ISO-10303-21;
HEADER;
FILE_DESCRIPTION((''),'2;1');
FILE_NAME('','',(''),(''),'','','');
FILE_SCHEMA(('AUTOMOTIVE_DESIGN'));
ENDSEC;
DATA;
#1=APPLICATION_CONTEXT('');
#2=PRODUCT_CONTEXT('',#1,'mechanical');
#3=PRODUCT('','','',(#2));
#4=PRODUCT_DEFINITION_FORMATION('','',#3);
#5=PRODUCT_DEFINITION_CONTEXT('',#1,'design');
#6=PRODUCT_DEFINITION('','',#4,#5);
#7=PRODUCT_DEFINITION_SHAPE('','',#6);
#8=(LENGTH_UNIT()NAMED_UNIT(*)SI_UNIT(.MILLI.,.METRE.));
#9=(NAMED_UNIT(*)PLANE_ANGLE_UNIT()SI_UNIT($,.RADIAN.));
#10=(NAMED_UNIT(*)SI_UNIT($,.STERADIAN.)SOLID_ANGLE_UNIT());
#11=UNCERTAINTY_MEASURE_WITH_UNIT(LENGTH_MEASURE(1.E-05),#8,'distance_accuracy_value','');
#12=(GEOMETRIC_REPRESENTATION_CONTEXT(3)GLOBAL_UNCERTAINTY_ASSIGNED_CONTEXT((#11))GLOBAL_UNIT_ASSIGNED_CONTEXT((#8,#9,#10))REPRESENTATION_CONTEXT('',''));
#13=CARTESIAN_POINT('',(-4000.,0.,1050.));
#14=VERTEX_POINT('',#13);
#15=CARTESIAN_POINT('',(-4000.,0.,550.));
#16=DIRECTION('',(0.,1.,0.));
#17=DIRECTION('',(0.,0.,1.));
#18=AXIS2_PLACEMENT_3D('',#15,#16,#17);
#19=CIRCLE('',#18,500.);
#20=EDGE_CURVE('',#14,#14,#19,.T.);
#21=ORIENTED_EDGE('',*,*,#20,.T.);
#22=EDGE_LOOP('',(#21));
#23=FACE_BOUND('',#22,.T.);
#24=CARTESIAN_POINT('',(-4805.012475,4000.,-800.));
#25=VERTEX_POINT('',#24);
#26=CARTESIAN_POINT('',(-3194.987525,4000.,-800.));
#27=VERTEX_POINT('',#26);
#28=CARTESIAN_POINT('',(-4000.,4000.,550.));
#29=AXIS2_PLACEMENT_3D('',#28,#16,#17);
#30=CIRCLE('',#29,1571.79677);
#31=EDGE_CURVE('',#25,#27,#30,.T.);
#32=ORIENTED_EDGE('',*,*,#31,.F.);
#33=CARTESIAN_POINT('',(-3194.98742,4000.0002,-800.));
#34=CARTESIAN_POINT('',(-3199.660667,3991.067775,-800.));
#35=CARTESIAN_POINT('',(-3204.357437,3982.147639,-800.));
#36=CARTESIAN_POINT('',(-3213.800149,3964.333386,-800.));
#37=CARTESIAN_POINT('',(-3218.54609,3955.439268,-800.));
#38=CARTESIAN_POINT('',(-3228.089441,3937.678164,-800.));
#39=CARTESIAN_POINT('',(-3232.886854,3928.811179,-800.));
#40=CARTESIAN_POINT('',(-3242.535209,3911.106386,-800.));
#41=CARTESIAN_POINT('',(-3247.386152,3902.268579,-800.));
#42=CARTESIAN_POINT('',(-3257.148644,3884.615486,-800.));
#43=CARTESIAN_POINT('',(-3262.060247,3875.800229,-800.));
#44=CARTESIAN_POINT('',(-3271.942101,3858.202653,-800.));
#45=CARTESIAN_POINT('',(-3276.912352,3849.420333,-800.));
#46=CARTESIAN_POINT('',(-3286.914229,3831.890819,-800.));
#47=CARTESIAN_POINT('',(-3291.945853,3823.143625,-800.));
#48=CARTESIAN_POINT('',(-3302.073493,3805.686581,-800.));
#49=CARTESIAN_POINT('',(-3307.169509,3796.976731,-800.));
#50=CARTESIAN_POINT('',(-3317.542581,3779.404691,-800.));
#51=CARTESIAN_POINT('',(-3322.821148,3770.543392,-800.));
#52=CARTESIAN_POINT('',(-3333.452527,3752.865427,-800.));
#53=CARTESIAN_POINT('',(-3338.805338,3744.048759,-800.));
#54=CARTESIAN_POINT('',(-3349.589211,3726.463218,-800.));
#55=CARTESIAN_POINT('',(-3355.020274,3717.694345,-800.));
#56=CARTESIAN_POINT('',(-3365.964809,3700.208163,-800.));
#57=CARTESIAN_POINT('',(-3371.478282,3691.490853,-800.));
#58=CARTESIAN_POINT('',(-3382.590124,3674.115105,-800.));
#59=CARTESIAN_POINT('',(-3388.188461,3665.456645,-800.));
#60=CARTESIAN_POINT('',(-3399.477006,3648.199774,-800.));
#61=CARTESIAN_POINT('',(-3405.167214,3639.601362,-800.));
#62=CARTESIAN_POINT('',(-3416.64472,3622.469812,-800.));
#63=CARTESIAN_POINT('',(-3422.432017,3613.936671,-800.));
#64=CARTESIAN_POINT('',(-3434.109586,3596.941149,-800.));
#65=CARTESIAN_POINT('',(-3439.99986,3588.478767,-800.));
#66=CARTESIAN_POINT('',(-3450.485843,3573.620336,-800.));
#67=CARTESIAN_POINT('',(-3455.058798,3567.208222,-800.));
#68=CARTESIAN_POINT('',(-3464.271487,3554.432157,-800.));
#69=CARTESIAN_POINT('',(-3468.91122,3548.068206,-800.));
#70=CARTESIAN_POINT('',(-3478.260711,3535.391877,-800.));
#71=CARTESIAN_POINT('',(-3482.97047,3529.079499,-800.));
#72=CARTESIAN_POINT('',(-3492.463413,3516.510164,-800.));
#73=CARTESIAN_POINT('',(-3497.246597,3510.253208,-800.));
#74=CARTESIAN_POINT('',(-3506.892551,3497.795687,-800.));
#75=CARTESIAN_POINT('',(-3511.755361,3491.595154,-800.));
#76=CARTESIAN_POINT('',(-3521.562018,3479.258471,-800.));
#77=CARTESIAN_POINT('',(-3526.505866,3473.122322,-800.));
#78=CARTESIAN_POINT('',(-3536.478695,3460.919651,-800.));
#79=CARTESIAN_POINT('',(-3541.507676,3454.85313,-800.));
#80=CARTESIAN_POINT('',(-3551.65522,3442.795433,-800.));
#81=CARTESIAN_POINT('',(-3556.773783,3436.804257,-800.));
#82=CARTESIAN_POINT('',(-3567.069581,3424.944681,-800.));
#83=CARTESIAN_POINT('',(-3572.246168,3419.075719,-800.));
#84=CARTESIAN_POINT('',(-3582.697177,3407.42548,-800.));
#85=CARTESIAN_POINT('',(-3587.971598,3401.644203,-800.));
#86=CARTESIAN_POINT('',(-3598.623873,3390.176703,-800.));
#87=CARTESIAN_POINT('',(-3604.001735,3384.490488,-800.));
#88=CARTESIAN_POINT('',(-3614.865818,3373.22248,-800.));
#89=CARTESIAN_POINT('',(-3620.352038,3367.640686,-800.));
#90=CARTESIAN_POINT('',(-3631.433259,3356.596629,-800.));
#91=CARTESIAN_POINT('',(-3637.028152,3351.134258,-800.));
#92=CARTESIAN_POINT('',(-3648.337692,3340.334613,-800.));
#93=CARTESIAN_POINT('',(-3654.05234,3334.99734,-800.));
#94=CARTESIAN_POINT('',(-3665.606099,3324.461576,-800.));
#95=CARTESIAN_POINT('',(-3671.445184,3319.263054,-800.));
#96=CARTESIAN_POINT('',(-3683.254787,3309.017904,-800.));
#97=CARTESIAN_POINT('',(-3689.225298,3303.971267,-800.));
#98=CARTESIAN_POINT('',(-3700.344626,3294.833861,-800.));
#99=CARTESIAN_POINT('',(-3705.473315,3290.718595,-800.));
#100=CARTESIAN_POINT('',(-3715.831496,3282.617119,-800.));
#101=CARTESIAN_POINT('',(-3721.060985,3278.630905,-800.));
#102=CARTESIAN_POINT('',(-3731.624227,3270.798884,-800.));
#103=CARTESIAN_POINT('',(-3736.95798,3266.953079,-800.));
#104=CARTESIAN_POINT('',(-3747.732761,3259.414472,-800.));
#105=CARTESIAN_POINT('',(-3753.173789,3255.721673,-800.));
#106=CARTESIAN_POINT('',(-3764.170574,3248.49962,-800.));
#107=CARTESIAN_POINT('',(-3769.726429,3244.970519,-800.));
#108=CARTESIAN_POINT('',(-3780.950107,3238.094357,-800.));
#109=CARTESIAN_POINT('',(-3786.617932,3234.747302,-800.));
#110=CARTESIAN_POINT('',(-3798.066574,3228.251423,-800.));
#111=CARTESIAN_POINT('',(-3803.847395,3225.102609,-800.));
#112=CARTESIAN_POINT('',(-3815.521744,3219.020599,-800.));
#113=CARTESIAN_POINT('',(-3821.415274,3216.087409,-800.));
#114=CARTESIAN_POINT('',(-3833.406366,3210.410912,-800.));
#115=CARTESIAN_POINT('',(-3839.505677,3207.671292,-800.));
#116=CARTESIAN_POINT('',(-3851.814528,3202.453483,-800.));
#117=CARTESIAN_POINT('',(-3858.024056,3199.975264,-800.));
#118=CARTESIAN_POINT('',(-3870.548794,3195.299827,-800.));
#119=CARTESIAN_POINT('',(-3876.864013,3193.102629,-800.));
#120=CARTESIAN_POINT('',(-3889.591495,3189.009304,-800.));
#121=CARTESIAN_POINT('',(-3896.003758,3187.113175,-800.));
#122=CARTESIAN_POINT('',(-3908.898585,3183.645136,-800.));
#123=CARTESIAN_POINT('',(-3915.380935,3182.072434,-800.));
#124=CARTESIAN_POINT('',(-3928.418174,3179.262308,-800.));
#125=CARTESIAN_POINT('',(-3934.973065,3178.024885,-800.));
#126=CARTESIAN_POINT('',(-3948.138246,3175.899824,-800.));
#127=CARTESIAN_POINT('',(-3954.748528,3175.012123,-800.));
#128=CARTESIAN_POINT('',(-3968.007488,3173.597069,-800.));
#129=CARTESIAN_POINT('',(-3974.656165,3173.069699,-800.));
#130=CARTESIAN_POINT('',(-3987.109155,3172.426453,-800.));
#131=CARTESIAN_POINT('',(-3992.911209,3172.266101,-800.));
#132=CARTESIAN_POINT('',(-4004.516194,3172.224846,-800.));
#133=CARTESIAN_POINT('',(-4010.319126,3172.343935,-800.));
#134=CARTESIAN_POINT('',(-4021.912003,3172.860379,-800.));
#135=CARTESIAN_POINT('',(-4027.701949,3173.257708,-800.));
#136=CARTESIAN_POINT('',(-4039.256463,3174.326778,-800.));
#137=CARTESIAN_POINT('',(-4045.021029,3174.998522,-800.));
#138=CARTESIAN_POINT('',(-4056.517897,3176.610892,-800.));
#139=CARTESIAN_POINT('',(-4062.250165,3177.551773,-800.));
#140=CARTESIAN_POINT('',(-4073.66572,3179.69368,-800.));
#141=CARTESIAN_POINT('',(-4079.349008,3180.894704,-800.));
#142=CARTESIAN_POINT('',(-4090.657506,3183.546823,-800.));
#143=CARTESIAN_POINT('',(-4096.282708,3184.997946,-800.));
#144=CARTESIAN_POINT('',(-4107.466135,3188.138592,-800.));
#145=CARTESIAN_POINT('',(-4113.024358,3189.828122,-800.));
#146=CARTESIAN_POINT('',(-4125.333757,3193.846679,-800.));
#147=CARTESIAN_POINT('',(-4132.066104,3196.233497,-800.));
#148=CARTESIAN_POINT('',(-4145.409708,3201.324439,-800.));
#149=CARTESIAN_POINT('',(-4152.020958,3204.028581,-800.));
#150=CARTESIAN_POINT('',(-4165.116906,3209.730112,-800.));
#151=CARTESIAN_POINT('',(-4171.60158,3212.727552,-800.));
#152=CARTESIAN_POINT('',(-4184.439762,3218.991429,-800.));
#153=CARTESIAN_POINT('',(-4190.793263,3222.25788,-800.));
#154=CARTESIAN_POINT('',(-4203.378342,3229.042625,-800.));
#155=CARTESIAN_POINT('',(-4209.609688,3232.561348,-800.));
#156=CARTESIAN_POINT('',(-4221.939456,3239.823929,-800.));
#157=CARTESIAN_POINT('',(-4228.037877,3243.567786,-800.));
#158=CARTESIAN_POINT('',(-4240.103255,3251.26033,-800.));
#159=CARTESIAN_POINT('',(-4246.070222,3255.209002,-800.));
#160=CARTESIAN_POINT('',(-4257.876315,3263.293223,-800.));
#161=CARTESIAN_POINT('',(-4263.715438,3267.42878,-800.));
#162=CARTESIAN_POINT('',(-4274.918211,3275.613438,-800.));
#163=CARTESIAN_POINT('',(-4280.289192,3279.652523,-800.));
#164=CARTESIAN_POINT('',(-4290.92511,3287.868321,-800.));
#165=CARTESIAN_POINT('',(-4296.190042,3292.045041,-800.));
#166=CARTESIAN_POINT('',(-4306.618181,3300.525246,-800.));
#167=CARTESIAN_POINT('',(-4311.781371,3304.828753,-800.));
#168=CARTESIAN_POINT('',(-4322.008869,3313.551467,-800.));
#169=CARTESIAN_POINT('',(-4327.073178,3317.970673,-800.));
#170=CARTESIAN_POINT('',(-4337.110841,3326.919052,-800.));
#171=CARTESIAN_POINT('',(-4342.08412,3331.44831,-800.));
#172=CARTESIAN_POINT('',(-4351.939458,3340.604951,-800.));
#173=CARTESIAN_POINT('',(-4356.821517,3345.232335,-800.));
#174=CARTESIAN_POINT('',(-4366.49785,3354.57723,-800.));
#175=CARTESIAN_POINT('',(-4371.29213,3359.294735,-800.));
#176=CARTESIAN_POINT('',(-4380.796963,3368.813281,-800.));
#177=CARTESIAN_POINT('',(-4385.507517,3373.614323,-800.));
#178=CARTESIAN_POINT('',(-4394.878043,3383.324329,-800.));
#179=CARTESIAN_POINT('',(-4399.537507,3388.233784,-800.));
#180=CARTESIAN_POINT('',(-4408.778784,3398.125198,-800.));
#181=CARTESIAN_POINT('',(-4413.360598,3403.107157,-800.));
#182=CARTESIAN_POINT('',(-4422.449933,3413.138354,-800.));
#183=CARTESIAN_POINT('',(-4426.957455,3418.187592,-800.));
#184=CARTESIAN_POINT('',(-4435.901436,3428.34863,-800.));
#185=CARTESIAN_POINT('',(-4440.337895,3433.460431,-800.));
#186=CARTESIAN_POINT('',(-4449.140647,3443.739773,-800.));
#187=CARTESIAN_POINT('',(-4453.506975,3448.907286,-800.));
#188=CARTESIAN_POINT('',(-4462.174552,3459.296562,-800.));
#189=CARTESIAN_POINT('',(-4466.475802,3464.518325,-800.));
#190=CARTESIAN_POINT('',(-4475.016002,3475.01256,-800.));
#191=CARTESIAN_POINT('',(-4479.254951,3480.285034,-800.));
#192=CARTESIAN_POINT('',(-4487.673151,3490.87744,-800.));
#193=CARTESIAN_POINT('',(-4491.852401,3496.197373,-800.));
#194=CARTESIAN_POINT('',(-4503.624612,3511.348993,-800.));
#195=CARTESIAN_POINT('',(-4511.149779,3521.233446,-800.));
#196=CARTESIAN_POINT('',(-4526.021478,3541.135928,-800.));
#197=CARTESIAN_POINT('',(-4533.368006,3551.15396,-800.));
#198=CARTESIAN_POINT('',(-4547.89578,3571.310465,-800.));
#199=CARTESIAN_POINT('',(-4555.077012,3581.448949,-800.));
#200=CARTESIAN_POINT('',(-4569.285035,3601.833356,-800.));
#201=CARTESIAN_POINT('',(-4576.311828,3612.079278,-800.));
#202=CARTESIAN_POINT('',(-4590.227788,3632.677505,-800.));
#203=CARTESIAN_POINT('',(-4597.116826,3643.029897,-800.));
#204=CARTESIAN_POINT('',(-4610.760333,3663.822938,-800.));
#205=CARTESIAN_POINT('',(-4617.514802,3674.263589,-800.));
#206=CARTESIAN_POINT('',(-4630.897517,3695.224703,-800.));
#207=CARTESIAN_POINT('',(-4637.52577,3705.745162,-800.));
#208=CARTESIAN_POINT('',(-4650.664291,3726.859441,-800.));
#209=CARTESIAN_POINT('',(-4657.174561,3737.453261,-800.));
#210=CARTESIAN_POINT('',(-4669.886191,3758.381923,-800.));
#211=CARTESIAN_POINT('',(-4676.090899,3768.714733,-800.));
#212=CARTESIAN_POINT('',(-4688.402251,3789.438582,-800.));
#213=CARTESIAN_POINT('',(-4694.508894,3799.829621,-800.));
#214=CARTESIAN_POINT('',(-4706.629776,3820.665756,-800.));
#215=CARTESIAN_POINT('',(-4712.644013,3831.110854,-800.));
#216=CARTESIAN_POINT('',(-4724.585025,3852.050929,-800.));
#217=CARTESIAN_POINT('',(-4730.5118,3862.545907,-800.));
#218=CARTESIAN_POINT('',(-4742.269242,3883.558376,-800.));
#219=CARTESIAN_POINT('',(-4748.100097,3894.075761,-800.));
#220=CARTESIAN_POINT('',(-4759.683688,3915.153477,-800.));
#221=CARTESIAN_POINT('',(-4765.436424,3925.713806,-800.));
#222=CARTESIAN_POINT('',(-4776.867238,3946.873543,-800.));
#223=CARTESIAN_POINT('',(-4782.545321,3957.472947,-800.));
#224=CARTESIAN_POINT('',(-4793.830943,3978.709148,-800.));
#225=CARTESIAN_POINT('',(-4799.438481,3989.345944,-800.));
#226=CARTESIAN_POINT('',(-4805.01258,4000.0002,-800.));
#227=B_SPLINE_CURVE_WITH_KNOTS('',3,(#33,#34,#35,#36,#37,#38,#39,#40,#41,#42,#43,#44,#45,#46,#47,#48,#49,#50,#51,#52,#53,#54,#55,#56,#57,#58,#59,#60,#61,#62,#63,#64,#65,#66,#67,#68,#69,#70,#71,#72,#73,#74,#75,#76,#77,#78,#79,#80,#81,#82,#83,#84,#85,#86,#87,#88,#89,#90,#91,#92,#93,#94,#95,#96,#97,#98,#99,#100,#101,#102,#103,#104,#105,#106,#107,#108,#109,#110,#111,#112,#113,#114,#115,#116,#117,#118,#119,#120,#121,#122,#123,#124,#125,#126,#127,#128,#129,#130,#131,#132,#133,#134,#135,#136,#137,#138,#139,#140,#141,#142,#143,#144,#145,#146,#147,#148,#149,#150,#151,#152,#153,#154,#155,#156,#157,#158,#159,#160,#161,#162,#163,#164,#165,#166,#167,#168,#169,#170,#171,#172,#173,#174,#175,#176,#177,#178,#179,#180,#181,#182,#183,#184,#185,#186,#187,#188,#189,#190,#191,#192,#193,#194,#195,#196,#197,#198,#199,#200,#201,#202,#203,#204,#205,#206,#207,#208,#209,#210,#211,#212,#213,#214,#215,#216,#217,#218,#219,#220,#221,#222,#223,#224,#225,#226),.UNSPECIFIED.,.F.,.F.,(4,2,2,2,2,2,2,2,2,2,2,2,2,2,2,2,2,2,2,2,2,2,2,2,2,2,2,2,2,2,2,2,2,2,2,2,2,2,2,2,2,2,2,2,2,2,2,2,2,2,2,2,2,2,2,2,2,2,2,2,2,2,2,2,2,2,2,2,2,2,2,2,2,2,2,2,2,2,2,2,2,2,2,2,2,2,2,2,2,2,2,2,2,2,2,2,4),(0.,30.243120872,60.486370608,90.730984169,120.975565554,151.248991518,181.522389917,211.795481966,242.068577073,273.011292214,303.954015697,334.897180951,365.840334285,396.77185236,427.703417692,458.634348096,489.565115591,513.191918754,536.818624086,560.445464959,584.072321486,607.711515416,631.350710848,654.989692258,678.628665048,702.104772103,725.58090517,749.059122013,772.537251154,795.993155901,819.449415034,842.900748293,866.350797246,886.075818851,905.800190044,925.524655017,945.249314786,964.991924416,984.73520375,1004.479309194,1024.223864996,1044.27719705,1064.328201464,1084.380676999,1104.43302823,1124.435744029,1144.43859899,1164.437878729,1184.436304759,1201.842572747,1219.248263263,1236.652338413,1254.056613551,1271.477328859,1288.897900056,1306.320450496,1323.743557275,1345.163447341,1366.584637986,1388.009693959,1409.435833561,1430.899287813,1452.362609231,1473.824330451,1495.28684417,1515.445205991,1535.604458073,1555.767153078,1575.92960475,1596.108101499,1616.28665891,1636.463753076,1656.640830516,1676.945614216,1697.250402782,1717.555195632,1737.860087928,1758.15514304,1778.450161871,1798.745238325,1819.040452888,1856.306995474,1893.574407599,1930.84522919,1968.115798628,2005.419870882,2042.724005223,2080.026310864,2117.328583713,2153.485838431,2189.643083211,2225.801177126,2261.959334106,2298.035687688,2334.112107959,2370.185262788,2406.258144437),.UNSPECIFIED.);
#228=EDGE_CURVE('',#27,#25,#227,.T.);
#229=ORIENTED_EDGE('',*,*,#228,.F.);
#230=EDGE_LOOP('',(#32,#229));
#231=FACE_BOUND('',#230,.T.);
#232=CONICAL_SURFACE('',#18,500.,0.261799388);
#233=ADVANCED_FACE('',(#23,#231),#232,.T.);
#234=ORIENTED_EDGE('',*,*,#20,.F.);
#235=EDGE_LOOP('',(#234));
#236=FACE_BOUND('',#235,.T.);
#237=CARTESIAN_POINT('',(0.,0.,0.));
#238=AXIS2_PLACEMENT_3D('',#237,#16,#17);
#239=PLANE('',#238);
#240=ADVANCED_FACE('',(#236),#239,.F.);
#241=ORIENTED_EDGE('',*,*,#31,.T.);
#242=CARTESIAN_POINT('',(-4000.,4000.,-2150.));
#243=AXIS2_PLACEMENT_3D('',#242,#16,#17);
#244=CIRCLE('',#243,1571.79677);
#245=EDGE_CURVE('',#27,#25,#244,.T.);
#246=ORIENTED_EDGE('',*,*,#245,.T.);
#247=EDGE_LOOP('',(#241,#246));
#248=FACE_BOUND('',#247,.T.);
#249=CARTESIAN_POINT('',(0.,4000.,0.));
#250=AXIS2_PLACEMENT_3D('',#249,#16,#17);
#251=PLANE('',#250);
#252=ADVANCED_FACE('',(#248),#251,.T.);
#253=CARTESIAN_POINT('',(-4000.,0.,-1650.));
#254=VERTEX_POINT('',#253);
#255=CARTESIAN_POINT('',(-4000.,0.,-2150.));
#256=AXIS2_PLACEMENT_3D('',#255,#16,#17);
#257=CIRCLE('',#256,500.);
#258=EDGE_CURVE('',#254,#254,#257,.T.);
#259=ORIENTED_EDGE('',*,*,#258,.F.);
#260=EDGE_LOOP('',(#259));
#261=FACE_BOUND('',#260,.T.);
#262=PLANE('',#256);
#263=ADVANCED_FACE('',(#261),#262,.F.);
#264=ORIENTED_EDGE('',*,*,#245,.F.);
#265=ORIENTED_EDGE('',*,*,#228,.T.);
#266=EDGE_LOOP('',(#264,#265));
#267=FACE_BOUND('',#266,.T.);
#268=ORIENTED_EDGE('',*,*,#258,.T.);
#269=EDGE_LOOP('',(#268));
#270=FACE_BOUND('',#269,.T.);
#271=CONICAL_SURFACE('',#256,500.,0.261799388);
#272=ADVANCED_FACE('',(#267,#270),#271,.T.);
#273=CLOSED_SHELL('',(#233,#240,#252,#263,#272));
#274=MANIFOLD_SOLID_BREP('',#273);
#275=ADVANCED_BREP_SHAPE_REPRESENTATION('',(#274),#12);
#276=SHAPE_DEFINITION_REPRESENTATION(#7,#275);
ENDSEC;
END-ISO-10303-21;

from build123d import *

# Parameters (mm, degrees)
ESBO_O1_R                = 500
RESSALTO_EXTRUS_O1_DEPTH = 4000
RESSALTO_EXTRUS_O1_TAPER = -15


with BuildPart() as part:
    # Esboço1 → Ressalto-extrusão1 (new body)
    with BuildSketch(Plane(origin=(0, 0, 0), x_dir=(1, 0, 0), z_dir=(0, 1, 0))):
        with Locations((-4000, -550)):
            Circle(ESBO_O1_R)
        with Locations((-4000, 2150)):
            Circle(ESBO_O1_R)
    extrude(amount=RESSALTO_EXTRUS_O1_DEPTH, taper=RESSALTO_EXTRUS_O1_TAPER)


solid = part.part
